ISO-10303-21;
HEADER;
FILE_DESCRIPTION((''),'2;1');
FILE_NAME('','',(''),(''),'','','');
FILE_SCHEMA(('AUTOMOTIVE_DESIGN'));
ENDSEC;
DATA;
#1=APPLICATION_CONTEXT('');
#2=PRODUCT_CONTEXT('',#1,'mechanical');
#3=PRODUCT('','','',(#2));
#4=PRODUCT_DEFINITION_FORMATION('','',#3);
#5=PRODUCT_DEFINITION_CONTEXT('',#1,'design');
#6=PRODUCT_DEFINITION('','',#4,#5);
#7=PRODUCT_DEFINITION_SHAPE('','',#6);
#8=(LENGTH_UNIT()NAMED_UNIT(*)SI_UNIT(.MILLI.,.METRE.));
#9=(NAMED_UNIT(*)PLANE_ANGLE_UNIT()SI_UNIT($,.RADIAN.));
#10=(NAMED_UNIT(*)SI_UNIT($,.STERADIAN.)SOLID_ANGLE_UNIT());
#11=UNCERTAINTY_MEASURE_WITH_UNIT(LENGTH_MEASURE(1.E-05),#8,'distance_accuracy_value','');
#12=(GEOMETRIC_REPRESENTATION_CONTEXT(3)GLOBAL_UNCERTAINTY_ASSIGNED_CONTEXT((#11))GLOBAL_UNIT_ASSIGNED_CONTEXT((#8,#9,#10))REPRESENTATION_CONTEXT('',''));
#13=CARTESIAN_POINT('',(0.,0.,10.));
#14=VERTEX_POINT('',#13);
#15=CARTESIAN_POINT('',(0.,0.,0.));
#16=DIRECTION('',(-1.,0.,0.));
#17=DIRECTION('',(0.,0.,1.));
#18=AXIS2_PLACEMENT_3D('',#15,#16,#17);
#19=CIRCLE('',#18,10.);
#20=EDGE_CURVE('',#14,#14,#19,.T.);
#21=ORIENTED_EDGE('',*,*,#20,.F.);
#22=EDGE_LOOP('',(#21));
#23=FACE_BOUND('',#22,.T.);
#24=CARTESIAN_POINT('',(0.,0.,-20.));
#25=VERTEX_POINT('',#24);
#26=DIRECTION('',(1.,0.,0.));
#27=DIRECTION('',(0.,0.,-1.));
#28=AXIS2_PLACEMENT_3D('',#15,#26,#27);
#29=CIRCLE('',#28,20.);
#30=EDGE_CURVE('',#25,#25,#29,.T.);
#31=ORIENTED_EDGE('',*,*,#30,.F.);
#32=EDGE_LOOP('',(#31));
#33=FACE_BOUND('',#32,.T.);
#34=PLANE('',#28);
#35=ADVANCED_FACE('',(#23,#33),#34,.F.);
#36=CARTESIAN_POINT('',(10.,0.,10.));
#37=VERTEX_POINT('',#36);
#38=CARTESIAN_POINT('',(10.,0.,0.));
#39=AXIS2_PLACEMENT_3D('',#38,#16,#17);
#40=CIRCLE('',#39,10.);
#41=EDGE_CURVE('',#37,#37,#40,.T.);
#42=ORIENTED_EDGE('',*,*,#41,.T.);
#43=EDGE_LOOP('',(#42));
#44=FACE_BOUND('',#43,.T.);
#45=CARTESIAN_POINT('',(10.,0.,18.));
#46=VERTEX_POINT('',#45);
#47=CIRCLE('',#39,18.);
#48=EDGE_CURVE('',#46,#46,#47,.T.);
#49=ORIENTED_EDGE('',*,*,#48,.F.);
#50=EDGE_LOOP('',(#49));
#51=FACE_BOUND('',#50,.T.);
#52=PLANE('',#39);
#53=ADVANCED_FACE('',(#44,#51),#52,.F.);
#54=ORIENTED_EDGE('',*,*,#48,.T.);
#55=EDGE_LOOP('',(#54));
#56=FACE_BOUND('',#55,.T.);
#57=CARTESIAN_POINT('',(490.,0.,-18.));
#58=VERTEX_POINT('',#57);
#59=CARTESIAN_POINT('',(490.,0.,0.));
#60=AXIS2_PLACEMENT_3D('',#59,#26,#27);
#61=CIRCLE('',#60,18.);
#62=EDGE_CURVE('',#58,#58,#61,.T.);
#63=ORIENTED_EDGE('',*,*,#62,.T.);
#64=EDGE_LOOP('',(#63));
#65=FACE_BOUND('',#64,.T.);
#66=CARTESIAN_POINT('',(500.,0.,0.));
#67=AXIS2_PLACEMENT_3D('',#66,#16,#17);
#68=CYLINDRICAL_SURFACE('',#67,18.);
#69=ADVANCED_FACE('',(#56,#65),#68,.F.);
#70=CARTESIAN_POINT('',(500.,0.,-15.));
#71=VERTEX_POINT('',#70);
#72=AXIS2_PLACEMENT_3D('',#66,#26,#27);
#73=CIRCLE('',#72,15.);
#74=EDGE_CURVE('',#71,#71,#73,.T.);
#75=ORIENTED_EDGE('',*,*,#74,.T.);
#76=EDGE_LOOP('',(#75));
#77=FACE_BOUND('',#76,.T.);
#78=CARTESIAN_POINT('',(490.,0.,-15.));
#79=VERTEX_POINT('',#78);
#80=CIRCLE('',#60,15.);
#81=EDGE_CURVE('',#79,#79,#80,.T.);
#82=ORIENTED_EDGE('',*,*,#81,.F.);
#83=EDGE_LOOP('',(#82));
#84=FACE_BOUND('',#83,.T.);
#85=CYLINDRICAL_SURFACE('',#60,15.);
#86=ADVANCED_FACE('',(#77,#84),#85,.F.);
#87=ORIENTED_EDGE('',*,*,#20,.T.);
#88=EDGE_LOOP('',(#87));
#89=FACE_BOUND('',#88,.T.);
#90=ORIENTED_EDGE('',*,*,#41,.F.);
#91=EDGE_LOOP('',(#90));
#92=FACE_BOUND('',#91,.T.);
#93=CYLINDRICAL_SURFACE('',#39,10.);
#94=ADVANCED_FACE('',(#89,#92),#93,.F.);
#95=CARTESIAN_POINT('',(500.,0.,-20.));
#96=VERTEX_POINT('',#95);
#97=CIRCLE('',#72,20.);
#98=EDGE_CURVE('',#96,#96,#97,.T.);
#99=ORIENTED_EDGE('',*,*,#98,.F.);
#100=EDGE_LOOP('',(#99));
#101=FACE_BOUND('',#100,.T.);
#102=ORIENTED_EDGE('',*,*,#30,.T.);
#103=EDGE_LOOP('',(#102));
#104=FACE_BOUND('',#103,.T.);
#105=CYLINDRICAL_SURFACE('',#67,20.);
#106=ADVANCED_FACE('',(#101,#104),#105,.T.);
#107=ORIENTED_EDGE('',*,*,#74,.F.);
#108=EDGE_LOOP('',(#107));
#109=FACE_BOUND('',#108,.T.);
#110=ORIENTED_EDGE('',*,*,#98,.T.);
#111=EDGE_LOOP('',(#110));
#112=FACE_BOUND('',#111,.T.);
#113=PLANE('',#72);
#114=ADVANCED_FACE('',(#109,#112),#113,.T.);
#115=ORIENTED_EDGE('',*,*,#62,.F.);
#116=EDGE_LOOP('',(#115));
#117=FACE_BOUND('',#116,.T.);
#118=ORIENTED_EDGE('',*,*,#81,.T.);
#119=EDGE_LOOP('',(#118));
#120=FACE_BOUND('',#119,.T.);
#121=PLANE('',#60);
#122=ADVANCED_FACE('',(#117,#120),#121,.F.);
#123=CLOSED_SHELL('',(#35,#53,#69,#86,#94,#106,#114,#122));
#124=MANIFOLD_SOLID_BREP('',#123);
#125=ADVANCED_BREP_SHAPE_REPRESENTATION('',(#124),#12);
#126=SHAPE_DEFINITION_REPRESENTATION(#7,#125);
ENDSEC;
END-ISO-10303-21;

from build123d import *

# Parameters (mm, degrees)
SKETCH1_R           = 20
SKETCH1_R_2         = 18
BOSS_EXTRUDE1_DEPTH = 500
SKETCH2_R           = 18
SKETCH2_R_2         = 10
BOSS_EXTRUDE2_DEPTH = 10
SKETCH5_R           = 18
SKETCH5_R_2         = 15
BOSS_EXTRUDE3_DEPTH = 10


with BuildPart() as part:
    # Sketch1 → Boss-Extrude1 (new body)
    with BuildSketch(Plane(origin=(0, 0, 0), x_dir=(0, 0, -1), z_dir=(1, 0, 0))):
        Circle(SKETCH1_R)
        Circle(SKETCH1_R_2, mode=Mode.SUBTRACT)
    extrude(amount=BOSS_EXTRUDE1_DEPTH)

    # Sketch2 → Boss-Extrude2 (add)
    with BuildSketch(Plane.ZY):
        Circle(SKETCH2_R)
        Circle(SKETCH2_R_2, mode=Mode.SUBTRACT)
    extrude(amount=-BOSS_EXTRUDE2_DEPTH)

    # Sketch5 → Boss-Extrude3 (add)
    with BuildSketch(Plane(origin=(500, 0, 0), x_dir=(0, 0, -1), z_dir=(1, 0, 0))):
        Circle(SKETCH5_R)
        Circle(SKETCH5_R_2, mode=Mode.SUBTRACT)
    extrude(amount=-BOSS_EXTRUDE3_DEPTH)


solid = part.part
